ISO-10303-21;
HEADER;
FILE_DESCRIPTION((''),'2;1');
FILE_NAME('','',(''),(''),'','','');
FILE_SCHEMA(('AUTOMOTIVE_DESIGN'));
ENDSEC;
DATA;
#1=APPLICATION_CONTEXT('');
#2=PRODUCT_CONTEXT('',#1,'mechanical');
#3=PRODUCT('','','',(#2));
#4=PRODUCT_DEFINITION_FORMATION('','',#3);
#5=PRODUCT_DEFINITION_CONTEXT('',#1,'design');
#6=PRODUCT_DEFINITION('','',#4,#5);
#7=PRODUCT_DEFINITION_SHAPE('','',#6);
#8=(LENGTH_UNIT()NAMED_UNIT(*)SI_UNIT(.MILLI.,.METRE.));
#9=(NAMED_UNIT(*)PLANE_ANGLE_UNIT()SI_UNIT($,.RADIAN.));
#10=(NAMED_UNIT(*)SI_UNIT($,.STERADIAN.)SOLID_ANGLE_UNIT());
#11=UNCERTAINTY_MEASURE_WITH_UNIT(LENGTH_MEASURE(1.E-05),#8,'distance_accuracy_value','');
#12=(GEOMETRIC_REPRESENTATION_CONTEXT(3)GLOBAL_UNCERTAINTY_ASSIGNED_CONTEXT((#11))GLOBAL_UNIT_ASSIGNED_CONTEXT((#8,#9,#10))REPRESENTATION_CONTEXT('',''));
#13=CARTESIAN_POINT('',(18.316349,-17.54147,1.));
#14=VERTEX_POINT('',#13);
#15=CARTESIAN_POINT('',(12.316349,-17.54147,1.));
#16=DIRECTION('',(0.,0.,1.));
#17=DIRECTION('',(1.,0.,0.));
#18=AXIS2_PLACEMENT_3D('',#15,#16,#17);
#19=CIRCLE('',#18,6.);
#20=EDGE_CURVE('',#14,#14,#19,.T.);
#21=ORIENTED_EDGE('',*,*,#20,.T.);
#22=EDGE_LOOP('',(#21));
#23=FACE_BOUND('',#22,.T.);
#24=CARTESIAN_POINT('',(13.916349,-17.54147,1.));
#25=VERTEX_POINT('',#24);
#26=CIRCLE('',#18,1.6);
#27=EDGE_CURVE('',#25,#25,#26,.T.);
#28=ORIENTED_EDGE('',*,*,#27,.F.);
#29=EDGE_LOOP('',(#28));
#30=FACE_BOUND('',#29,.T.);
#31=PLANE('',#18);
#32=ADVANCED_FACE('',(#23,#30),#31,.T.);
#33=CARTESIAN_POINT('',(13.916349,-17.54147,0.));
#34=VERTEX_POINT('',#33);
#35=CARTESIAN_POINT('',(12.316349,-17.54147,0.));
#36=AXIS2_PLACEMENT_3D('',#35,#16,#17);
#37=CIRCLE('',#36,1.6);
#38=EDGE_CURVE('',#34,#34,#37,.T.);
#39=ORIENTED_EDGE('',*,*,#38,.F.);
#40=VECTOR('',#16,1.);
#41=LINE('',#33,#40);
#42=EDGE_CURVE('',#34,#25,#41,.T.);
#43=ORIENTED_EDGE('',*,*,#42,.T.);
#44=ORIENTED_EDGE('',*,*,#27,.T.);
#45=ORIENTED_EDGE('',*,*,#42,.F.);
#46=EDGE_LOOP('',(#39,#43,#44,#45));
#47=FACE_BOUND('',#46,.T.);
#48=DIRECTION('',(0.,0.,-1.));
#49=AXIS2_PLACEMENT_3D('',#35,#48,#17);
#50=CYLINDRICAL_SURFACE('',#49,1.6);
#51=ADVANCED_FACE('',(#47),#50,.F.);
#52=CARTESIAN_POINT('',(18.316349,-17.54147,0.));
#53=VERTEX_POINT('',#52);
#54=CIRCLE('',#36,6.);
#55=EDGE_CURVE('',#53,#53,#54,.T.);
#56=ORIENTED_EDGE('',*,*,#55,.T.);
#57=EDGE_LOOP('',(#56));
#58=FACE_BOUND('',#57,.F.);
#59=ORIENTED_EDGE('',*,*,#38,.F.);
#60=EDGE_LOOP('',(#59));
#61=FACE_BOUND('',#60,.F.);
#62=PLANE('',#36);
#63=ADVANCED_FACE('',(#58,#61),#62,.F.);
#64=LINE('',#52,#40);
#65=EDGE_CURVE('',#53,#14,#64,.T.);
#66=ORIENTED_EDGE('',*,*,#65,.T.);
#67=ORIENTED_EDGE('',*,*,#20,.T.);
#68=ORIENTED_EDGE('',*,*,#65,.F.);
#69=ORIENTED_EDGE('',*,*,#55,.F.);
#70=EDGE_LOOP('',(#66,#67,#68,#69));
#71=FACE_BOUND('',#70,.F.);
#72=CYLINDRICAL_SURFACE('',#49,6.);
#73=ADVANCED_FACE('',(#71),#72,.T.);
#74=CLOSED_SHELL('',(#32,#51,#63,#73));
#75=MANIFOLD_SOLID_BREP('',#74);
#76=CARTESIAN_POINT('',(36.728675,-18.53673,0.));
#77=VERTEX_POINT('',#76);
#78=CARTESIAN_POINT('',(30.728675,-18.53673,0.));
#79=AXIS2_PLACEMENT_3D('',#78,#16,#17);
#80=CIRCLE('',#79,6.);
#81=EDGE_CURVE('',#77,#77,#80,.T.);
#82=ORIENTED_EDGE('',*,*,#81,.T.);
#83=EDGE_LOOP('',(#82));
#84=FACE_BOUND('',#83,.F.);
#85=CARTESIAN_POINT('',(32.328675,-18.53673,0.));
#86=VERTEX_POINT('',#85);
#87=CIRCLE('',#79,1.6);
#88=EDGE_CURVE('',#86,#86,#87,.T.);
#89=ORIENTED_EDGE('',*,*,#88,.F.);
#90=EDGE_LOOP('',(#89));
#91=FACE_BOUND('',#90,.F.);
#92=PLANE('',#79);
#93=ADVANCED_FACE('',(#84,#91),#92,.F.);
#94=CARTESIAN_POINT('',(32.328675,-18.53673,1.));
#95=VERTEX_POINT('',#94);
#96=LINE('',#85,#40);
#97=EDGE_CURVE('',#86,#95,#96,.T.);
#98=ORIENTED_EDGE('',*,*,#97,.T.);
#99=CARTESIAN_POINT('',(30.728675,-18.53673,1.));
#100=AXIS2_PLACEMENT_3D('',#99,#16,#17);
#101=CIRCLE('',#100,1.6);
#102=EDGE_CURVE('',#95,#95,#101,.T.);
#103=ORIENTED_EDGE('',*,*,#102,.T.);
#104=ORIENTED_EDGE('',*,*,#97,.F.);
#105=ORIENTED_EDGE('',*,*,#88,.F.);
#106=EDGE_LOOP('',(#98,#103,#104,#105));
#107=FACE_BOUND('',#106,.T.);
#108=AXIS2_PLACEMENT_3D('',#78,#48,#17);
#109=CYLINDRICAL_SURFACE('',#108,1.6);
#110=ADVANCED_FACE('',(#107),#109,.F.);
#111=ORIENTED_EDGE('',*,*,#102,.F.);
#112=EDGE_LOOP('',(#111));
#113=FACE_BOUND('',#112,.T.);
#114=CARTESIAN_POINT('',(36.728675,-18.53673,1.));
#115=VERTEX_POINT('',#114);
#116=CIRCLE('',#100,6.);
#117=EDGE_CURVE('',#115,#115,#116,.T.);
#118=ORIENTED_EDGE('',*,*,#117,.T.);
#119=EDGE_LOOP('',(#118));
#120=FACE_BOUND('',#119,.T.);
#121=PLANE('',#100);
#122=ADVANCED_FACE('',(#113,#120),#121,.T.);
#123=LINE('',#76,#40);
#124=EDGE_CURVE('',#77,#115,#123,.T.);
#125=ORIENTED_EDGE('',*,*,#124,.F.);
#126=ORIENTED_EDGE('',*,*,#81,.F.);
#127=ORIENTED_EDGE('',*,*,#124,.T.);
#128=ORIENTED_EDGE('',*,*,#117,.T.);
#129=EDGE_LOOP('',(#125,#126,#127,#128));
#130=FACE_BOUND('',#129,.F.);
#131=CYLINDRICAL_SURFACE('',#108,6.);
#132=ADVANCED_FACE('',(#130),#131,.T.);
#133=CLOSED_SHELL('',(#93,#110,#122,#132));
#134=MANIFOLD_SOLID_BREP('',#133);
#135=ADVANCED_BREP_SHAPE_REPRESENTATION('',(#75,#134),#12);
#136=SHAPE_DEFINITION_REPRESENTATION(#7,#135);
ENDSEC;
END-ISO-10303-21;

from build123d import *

# Parameters (mm, degrees)
F0_R     = 6
F0_R_2   = 1.6
F1_DEPTH = 1


with BuildPart() as f1:
    # F0 (on Top) → F1 (new body)
    with BuildSketch(Plane.XY):
        with Locations((12.316349, -17.54147)):
            Circle(F0_R)
        with Locations((12.316349, -17.54147)):
            Circle(F0_R_2, mode=Mode.SUBTRACT)
        with Locations((30.728675, -18.53673)):
            Circle(F0_R)
        with Locations((30.728675, -18.53673)):
            Circle(F0_R_2, mode=Mode.SUBTRACT)
    extrude(amount=F1_DEPTH)


solid = f1.part
